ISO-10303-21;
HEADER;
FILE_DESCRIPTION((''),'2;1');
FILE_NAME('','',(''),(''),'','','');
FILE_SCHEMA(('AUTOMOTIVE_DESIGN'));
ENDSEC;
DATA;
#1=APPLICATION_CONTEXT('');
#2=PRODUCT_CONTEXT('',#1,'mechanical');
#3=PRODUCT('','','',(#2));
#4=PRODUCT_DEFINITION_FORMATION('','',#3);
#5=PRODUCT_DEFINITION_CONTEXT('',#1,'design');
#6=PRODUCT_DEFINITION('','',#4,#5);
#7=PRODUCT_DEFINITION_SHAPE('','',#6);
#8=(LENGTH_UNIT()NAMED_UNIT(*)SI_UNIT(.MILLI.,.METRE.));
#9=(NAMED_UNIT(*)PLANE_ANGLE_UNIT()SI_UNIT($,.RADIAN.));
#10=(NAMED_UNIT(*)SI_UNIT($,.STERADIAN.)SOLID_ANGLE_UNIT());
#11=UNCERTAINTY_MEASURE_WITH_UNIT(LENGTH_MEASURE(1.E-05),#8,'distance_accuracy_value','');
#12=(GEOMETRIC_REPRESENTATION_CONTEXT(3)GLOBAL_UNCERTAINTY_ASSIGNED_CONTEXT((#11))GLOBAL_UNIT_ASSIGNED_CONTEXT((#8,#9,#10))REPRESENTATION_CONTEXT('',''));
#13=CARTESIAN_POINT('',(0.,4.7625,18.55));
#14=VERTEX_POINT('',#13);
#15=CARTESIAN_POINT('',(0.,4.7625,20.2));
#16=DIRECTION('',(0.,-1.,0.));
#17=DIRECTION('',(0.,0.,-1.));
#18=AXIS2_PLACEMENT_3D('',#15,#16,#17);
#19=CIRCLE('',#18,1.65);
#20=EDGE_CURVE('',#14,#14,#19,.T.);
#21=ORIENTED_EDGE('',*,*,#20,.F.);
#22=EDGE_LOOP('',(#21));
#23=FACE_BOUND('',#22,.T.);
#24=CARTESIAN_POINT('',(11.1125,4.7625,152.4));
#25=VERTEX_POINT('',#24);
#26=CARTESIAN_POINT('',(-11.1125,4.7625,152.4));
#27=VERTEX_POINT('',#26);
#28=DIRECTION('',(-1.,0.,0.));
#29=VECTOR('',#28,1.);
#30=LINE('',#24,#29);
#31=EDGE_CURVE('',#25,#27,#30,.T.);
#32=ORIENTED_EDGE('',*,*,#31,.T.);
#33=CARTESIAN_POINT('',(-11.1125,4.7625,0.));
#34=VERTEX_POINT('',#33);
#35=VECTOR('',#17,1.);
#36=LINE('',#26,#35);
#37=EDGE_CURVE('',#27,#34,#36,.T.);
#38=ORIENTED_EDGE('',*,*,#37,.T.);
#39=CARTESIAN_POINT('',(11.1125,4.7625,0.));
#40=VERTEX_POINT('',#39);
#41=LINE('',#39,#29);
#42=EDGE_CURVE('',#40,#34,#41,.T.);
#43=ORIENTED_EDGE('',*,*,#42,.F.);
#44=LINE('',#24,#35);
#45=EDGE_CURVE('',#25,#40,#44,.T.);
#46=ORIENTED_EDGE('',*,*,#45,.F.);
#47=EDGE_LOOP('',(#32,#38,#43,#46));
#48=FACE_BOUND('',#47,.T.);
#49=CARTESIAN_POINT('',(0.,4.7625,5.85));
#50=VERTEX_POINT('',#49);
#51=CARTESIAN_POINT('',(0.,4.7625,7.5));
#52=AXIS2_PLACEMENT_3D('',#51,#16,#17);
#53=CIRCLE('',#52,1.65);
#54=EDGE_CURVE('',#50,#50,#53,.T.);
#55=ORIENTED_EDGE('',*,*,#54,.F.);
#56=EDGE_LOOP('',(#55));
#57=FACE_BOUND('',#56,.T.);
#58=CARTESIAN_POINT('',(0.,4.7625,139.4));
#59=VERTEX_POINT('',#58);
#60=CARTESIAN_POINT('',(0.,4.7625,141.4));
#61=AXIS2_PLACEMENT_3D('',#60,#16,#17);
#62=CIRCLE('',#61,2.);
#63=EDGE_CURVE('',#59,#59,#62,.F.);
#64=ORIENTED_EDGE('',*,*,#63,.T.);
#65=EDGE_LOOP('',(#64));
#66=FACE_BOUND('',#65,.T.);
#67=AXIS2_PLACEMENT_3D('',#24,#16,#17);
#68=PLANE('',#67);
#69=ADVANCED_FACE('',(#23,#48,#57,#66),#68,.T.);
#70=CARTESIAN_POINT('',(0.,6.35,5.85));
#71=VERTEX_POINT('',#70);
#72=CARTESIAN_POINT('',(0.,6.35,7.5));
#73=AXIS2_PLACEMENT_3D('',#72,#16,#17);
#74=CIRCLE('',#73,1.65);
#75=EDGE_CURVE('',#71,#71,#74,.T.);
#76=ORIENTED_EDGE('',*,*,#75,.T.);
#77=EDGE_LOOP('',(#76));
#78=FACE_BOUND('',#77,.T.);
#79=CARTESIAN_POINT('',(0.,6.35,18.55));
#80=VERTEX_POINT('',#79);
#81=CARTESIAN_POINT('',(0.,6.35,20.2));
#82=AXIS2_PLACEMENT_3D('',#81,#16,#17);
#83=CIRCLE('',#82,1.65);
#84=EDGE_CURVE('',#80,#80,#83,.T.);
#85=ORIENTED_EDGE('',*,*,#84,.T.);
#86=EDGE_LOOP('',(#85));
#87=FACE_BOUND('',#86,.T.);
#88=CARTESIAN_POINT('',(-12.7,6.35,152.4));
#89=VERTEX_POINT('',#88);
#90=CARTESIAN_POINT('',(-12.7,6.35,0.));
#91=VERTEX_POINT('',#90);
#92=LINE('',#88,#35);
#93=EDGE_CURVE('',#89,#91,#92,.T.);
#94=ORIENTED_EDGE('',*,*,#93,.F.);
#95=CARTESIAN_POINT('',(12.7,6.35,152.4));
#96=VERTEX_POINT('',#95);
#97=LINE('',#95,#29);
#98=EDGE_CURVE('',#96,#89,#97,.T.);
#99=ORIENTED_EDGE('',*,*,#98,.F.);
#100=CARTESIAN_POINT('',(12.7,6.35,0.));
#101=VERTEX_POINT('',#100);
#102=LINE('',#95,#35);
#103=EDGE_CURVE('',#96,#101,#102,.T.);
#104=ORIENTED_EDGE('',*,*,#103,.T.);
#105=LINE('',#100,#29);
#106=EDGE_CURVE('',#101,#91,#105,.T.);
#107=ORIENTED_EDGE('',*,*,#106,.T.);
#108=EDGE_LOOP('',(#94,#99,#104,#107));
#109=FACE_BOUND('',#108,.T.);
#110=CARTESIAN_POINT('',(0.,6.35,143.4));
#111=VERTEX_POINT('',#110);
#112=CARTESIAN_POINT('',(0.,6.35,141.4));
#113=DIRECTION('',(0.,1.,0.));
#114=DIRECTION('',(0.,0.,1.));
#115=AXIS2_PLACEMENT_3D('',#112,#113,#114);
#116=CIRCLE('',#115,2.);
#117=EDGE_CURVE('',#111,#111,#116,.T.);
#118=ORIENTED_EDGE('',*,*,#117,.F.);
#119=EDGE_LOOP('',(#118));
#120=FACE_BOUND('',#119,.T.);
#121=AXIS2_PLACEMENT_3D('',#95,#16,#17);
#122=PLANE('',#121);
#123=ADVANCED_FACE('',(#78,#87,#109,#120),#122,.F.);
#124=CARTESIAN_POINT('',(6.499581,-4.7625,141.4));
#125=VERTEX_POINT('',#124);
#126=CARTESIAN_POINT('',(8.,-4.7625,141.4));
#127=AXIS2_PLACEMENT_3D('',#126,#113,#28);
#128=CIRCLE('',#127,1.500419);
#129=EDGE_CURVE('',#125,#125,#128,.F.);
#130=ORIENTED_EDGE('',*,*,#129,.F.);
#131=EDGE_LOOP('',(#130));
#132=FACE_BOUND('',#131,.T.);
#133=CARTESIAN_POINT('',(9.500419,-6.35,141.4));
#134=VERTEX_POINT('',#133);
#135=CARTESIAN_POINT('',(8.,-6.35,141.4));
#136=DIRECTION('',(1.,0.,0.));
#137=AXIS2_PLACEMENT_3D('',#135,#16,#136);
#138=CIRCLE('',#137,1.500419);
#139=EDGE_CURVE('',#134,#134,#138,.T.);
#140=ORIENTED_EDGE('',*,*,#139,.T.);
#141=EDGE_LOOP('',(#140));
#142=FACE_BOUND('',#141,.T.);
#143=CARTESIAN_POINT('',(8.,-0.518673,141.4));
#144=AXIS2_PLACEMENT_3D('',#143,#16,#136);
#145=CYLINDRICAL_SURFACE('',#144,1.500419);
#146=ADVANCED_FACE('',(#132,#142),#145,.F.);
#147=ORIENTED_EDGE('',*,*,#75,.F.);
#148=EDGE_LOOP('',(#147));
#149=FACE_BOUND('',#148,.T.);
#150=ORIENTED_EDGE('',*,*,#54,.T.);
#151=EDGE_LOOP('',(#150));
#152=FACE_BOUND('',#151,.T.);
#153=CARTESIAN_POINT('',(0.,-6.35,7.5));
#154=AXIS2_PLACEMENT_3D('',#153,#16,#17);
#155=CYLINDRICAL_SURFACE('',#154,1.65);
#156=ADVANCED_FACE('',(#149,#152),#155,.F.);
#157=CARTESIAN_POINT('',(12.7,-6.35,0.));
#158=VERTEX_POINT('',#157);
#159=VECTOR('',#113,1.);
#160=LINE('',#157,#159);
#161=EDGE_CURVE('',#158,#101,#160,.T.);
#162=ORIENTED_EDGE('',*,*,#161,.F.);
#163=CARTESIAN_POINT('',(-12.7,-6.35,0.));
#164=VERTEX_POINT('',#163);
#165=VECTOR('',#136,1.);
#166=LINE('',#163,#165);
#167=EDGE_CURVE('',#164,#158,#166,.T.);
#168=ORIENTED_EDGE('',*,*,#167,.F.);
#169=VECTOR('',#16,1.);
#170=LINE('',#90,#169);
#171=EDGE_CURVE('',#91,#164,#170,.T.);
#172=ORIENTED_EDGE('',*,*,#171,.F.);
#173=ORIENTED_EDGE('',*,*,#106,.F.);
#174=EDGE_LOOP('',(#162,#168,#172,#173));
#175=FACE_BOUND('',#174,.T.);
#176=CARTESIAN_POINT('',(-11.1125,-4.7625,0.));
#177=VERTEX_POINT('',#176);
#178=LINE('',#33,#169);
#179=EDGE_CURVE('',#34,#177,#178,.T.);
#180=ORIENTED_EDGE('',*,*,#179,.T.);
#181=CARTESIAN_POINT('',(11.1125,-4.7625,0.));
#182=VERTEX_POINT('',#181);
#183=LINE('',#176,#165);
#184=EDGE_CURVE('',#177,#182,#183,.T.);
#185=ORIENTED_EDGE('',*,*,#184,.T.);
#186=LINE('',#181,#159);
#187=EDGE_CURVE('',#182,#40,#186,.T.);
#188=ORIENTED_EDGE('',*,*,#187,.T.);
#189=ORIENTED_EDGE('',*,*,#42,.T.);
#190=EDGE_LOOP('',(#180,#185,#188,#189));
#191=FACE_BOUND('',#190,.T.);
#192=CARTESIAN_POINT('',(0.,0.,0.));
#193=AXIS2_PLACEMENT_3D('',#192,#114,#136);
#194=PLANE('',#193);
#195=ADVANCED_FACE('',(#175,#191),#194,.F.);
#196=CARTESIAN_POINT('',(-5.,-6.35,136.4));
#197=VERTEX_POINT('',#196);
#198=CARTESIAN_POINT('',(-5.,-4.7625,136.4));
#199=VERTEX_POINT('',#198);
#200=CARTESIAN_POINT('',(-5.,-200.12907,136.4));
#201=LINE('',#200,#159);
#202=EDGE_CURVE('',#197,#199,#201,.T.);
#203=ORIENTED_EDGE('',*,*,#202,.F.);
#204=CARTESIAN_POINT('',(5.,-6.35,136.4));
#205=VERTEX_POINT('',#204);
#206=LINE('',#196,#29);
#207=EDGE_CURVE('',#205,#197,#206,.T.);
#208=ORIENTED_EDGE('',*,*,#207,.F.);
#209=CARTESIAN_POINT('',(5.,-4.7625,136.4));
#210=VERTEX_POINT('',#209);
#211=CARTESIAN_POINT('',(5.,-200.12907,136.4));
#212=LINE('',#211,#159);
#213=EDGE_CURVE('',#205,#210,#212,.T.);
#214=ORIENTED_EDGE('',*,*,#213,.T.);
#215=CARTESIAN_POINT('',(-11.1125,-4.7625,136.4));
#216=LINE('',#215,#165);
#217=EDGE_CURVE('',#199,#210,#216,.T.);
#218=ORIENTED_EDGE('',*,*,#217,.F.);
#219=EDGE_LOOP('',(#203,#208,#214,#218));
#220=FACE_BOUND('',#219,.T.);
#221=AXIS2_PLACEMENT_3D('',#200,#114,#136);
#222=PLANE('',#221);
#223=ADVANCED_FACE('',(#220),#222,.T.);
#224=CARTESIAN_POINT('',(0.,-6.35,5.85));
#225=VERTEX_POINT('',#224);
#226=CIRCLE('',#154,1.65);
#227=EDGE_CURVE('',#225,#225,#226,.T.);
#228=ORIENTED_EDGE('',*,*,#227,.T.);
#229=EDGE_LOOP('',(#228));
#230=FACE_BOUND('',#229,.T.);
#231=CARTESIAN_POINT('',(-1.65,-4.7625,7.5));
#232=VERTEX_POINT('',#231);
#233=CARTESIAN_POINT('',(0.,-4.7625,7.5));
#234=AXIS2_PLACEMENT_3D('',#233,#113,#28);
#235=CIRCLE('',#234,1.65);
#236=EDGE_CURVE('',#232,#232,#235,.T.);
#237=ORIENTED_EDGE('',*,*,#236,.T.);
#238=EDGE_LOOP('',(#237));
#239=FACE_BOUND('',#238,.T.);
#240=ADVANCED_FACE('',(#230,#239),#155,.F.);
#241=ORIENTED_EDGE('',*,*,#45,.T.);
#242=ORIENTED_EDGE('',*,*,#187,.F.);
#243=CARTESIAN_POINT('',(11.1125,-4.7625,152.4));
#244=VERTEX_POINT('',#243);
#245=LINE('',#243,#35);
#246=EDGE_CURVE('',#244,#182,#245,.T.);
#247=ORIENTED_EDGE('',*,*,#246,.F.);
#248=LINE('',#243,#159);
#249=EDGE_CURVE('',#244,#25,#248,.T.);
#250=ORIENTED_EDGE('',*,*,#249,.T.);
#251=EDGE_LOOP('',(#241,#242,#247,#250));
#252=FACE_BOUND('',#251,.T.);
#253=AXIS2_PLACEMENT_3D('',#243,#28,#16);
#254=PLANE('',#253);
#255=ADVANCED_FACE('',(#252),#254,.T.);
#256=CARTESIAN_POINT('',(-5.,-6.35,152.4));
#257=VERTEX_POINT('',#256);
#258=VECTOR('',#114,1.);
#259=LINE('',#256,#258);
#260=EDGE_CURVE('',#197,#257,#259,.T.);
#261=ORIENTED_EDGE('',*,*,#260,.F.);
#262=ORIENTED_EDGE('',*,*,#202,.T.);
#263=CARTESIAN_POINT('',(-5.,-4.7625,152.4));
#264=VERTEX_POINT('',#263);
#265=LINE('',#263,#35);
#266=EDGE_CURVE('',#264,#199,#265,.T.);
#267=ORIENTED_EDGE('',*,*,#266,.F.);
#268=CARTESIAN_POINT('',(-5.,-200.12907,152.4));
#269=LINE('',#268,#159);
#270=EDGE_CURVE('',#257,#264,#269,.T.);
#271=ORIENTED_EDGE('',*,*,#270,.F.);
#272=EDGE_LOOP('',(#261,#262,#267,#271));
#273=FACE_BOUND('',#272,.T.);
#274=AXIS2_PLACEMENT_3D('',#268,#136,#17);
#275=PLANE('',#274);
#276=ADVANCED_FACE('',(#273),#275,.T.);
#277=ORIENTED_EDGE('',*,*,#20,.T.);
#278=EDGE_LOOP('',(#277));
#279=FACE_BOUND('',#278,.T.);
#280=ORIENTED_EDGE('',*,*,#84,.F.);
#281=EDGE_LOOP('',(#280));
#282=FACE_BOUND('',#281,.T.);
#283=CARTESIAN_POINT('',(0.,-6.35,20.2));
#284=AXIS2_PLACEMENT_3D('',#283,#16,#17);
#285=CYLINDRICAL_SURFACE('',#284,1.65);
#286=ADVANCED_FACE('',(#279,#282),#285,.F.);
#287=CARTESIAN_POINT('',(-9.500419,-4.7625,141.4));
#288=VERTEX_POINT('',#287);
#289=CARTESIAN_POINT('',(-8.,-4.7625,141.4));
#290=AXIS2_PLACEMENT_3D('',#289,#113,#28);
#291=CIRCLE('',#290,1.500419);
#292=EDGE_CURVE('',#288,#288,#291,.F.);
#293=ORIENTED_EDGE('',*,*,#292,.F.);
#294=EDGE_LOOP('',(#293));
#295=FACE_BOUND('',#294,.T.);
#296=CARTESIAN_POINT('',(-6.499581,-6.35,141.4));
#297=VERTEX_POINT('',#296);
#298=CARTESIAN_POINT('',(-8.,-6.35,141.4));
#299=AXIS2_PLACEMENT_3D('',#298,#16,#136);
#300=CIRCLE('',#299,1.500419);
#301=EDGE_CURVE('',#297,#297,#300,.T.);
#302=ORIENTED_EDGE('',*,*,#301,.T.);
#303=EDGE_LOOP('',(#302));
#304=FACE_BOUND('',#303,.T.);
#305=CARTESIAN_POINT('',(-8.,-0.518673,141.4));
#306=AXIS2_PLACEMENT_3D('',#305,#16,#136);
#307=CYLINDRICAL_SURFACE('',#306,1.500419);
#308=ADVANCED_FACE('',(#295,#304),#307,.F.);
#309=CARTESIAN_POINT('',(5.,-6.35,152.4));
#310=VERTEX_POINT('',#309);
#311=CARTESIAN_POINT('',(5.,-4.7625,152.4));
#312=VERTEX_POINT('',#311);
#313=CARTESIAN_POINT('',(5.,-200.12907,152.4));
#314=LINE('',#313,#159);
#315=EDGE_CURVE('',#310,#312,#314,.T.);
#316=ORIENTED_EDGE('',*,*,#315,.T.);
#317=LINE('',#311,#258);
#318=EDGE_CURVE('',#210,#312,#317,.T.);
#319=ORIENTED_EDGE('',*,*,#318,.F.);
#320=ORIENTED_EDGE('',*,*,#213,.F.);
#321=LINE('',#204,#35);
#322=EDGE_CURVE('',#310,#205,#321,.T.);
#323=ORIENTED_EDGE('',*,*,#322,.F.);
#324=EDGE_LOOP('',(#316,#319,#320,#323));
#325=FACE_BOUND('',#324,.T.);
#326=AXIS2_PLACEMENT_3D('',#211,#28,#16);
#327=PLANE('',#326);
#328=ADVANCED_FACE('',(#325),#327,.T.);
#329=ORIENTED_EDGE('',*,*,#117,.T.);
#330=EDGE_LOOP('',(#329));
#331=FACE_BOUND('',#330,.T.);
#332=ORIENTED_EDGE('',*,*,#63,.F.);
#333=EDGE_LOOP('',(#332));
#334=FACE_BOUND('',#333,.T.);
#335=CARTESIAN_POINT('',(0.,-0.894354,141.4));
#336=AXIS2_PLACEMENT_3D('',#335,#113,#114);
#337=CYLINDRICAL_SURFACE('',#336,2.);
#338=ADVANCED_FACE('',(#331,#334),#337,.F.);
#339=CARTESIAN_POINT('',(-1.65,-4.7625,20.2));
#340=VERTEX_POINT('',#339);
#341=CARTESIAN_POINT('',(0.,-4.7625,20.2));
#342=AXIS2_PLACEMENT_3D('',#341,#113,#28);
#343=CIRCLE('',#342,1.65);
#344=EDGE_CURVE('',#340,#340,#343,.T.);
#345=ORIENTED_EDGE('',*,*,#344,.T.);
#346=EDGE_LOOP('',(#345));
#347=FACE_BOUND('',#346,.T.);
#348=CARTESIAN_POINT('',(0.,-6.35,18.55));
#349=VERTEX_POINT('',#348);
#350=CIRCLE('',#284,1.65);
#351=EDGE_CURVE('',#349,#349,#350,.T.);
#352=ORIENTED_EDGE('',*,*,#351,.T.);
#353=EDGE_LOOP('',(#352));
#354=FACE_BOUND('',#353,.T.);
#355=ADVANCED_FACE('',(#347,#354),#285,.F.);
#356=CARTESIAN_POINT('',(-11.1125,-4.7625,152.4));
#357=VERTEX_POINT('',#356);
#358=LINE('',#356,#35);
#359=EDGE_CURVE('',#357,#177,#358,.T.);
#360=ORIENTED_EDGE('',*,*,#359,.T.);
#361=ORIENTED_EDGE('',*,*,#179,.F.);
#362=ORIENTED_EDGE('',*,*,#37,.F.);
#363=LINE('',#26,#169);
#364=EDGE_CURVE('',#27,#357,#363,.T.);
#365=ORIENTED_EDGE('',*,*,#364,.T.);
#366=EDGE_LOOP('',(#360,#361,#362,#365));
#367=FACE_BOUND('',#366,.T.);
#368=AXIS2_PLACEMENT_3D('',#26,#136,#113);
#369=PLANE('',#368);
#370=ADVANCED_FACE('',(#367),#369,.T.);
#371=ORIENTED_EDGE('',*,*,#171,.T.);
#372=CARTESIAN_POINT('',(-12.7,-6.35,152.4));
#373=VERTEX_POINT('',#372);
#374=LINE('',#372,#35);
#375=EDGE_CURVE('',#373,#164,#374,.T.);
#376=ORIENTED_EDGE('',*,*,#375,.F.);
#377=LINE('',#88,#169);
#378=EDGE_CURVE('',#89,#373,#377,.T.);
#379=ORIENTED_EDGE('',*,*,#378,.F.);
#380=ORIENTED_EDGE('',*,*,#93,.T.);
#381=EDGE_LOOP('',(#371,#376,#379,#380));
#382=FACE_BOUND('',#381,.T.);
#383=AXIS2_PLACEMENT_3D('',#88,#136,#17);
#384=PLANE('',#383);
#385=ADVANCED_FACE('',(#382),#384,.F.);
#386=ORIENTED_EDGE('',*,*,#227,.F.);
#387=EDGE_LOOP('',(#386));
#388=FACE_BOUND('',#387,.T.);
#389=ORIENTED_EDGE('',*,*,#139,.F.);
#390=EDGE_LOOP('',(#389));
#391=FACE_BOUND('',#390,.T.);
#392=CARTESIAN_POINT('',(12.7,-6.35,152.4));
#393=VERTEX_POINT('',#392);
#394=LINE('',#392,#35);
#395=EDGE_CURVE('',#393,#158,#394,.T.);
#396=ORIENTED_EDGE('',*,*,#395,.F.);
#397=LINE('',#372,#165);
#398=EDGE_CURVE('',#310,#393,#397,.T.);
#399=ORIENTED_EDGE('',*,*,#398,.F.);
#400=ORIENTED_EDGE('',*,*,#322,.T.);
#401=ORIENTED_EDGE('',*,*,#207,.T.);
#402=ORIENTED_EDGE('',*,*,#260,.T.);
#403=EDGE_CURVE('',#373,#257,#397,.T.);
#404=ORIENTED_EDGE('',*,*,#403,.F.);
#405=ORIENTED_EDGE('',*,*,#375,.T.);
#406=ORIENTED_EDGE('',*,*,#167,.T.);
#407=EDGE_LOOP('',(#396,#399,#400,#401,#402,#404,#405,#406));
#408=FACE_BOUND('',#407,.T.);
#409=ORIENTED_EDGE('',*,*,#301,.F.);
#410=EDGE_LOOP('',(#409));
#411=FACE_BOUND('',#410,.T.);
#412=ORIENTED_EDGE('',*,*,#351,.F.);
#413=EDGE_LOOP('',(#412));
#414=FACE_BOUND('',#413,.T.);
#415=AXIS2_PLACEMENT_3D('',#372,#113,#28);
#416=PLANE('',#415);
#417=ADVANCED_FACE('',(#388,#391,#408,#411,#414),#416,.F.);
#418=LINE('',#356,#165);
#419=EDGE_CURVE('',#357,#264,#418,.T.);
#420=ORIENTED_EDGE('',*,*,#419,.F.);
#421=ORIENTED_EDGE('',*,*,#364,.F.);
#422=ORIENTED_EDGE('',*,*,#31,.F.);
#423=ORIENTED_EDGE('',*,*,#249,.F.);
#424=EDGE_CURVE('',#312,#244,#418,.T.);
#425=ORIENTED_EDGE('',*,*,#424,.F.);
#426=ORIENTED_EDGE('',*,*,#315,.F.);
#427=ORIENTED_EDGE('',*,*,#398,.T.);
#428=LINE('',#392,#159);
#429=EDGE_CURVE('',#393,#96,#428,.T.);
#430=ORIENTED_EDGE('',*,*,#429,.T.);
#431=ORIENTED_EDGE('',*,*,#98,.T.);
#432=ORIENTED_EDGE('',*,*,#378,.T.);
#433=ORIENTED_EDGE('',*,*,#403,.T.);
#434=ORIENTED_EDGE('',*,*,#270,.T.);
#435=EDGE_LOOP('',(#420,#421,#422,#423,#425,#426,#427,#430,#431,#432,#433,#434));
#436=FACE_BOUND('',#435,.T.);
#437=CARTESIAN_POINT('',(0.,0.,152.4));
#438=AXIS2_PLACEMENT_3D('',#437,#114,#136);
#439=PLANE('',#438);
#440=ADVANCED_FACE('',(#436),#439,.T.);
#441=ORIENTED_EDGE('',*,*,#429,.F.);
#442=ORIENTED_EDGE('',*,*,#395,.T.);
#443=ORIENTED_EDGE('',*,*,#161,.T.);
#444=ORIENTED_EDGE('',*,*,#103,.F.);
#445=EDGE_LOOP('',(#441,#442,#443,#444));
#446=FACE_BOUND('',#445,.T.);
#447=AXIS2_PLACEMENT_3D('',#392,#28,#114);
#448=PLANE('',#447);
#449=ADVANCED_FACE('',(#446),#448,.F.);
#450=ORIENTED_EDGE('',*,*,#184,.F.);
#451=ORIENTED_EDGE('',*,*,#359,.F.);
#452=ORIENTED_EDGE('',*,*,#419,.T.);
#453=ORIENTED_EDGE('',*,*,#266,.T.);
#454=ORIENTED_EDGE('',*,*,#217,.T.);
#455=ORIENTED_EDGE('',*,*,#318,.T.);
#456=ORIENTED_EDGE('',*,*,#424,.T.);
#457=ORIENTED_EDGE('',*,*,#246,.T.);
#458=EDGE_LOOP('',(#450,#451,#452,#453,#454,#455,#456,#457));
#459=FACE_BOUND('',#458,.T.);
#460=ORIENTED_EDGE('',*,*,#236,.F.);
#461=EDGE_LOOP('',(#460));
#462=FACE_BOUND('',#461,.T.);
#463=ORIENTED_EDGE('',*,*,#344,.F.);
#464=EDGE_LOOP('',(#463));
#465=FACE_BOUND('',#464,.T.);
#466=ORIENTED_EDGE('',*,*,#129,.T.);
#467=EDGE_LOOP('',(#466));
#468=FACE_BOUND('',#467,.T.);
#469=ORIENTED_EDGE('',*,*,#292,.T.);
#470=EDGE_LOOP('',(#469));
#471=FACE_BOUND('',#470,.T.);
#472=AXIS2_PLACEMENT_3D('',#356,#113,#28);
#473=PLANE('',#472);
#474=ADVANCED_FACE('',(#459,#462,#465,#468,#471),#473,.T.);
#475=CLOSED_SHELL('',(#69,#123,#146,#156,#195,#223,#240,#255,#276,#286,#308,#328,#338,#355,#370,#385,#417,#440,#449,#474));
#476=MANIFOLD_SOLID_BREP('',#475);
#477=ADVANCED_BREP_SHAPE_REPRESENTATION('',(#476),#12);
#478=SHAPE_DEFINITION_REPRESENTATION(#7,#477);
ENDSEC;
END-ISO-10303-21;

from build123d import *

# Parameters (mm, degrees)
SKETCH3_W               = 25.4
SKETCH3_H               = 12.7
SKETCH3_W_2             = 22.225
SKETCH3_H_2             = 9.525
BOSS_EXTRUDE1_DEPTH     = 152.4
SKETCH4_R               = 2
CUT_EXTRUDE1_DEPTH      = 1.5875
SKETCH5_R               = 1.500419334
CUT_EXTRUDE2_DEPTH      = 1.5875
CUT_EXTRUDE3_DEPTH      = 154.454683865
CUT_EXTRUDE3_DEPTH_BACK = 2.54
M4X0_7_TAPPED_HOLE1_D   = 3.3


with BuildPart() as part:
    # Sketch3 → Boss-Extrude1 (new body)
    with BuildSketch(Plane.XY):
        Rectangle(SKETCH3_W, SKETCH3_H)
        Rectangle(SKETCH3_W_2, SKETCH3_H_2, mode=Mode.SUBTRACT)
    extrude(amount=BOSS_EXTRUDE1_DEPTH)

    # Sketch4 → Cut-Extrude1 (cut)
    with BuildSketch(Plane(origin=(0, 6.35, 0), x_dir=(1, 0, 0), z_dir=(0, 1, 0))):
        with Locations(Location((0, -141.4, 0), (0, 0, 270))):
            Circle(SKETCH4_R)
    extrude(amount=-CUT_EXTRUDE1_DEPTH, mode=Mode.SUBTRACT)

    # Sketch5 → Cut-Extrude2 (cut)
    with BuildSketch(Plane.XZ.offset(6.35)):
        with Locations((-8, 141.4)):
            Circle(SKETCH5_R)
        with Locations((0, 149.4)):
            Circle(SKETCH5_R)
        with Locations((8, 141.4)):
            Circle(SKETCH5_R)
    extrude(amount=-CUT_EXTRUDE2_DEPTH, mode=Mode.SUBTRACT)

    # Sketch6 → Cut-Extrude3 (cut, two sides: drawn at the far end of the back side and taken through both)
    with BuildSketch(Plane.XZ.offset(6.35).offset(-CUT_EXTRUDE3_DEPTH_BACK)):
        Polygon((-5, 469.248822712), (-5, 152.4), (-5, 136.4), (5, 136.4), (5, 152.4), (5, 469.248822712), (5, 1102.946468137), (-5, 1102.946468137), align=None)
    extrude(amount=CUT_EXTRUDE3_DEPTH + CUT_EXTRUDE3_DEPTH_BACK, mode=Mode.SUBTRACT)

    # M4x0.7 Tapped Hole1 (through all)
    with Locations(Plane(origin=(0, -6.35, 0), x_dir=(-1, 0, 0), z_dir=(0, -1, 0))):
        with Locations((0, -20.199999986), (0, -7.5)):
            Hole(M4X0_7_TAPPED_HOLE1_D / 2)


solid = part.part
